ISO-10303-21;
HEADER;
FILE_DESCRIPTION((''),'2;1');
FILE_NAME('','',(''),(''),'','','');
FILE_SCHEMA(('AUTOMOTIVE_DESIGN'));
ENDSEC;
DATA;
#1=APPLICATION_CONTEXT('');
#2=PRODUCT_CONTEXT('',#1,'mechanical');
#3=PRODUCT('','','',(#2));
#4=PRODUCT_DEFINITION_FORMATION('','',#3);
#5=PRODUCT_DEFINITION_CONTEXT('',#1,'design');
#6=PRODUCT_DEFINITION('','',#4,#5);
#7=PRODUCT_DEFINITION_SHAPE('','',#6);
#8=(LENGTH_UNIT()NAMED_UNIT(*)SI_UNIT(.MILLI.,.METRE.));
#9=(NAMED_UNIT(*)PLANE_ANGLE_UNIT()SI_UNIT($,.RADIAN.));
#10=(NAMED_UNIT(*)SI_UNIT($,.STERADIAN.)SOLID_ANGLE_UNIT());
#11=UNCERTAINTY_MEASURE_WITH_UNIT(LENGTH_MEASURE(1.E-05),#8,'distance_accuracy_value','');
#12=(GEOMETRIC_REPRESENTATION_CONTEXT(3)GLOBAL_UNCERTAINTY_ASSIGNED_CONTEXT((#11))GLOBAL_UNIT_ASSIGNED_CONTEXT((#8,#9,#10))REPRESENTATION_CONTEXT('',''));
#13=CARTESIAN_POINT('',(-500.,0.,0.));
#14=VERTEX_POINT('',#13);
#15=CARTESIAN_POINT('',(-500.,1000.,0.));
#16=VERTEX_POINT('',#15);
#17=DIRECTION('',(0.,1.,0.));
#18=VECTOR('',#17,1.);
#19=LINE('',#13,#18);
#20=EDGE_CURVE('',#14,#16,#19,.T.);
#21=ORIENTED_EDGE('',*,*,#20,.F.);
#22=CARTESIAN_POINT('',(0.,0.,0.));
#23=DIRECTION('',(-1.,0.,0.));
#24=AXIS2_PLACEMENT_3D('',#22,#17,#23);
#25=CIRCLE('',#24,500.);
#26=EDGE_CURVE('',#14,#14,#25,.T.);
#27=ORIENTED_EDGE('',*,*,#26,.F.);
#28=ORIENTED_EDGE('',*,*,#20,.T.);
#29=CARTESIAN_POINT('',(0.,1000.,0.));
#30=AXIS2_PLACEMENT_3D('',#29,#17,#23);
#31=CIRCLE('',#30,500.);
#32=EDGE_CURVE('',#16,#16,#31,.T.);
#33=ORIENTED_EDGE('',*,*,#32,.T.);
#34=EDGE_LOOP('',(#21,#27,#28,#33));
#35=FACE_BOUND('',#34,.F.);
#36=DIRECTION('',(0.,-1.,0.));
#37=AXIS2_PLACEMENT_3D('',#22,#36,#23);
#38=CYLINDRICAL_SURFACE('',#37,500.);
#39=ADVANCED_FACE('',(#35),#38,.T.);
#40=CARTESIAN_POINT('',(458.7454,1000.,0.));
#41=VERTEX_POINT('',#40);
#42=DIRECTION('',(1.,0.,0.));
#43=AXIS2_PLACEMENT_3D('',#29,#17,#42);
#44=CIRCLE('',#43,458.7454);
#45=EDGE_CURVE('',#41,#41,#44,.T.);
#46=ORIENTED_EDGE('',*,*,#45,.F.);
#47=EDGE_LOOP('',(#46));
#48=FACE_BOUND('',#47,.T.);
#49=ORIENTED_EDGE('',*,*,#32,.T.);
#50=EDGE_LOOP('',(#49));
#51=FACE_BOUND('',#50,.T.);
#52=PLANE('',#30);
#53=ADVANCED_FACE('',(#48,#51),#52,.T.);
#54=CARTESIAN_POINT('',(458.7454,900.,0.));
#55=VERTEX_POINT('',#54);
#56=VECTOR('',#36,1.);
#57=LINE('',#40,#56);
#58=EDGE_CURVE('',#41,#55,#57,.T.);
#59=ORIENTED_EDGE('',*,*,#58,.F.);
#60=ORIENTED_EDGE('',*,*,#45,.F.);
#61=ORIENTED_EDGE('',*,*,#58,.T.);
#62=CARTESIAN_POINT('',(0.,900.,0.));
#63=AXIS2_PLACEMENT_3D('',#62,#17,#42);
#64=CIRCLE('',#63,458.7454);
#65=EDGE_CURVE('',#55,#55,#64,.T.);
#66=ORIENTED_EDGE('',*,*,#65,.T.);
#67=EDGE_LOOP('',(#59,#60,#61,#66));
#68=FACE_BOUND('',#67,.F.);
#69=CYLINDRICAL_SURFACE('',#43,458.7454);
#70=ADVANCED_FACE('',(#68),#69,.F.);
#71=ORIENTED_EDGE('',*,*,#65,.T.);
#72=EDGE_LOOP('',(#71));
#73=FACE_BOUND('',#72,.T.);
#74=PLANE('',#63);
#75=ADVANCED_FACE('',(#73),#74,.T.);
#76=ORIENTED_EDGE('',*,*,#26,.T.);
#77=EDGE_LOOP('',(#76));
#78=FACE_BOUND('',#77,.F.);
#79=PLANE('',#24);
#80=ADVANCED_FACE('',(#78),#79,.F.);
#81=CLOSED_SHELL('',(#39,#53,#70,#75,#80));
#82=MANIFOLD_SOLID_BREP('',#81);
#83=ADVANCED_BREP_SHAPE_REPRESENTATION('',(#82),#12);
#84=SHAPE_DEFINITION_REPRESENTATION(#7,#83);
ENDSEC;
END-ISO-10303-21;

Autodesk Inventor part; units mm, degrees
ref_plane "YZ Plane" through (0, 0, 0) normal (1, 0, 0) x (0, 1, 0)
ref_plane "XZ Plane" through (0, 0, 0) normal (0, 1, 0) x (-1, 0, 0)
ref_plane "XY Plane" through (0, 0, 0) normal (0, 0, 1) x (1, 0, 0)
sketch "Skizze1" plane through (0, 0, 0) normal (0, 1, 0) x (-1, 0, 0)
  circle A0 centre (0, 0) radius 500
  dimension "d0" = 1000
extrude "Extrusion1" add sketch "Skizze1" along normal blind 1000
sketch "Skizze2" plane through (0, 1000, 0) normal (0, 1, 0) x (1, 0, 0)
  circle A0 centre (0, 0) radius 458.7454
extrude "Extrusion2" cut sketch "Skizze2" against normal blind 100
properties part number "Topf"
